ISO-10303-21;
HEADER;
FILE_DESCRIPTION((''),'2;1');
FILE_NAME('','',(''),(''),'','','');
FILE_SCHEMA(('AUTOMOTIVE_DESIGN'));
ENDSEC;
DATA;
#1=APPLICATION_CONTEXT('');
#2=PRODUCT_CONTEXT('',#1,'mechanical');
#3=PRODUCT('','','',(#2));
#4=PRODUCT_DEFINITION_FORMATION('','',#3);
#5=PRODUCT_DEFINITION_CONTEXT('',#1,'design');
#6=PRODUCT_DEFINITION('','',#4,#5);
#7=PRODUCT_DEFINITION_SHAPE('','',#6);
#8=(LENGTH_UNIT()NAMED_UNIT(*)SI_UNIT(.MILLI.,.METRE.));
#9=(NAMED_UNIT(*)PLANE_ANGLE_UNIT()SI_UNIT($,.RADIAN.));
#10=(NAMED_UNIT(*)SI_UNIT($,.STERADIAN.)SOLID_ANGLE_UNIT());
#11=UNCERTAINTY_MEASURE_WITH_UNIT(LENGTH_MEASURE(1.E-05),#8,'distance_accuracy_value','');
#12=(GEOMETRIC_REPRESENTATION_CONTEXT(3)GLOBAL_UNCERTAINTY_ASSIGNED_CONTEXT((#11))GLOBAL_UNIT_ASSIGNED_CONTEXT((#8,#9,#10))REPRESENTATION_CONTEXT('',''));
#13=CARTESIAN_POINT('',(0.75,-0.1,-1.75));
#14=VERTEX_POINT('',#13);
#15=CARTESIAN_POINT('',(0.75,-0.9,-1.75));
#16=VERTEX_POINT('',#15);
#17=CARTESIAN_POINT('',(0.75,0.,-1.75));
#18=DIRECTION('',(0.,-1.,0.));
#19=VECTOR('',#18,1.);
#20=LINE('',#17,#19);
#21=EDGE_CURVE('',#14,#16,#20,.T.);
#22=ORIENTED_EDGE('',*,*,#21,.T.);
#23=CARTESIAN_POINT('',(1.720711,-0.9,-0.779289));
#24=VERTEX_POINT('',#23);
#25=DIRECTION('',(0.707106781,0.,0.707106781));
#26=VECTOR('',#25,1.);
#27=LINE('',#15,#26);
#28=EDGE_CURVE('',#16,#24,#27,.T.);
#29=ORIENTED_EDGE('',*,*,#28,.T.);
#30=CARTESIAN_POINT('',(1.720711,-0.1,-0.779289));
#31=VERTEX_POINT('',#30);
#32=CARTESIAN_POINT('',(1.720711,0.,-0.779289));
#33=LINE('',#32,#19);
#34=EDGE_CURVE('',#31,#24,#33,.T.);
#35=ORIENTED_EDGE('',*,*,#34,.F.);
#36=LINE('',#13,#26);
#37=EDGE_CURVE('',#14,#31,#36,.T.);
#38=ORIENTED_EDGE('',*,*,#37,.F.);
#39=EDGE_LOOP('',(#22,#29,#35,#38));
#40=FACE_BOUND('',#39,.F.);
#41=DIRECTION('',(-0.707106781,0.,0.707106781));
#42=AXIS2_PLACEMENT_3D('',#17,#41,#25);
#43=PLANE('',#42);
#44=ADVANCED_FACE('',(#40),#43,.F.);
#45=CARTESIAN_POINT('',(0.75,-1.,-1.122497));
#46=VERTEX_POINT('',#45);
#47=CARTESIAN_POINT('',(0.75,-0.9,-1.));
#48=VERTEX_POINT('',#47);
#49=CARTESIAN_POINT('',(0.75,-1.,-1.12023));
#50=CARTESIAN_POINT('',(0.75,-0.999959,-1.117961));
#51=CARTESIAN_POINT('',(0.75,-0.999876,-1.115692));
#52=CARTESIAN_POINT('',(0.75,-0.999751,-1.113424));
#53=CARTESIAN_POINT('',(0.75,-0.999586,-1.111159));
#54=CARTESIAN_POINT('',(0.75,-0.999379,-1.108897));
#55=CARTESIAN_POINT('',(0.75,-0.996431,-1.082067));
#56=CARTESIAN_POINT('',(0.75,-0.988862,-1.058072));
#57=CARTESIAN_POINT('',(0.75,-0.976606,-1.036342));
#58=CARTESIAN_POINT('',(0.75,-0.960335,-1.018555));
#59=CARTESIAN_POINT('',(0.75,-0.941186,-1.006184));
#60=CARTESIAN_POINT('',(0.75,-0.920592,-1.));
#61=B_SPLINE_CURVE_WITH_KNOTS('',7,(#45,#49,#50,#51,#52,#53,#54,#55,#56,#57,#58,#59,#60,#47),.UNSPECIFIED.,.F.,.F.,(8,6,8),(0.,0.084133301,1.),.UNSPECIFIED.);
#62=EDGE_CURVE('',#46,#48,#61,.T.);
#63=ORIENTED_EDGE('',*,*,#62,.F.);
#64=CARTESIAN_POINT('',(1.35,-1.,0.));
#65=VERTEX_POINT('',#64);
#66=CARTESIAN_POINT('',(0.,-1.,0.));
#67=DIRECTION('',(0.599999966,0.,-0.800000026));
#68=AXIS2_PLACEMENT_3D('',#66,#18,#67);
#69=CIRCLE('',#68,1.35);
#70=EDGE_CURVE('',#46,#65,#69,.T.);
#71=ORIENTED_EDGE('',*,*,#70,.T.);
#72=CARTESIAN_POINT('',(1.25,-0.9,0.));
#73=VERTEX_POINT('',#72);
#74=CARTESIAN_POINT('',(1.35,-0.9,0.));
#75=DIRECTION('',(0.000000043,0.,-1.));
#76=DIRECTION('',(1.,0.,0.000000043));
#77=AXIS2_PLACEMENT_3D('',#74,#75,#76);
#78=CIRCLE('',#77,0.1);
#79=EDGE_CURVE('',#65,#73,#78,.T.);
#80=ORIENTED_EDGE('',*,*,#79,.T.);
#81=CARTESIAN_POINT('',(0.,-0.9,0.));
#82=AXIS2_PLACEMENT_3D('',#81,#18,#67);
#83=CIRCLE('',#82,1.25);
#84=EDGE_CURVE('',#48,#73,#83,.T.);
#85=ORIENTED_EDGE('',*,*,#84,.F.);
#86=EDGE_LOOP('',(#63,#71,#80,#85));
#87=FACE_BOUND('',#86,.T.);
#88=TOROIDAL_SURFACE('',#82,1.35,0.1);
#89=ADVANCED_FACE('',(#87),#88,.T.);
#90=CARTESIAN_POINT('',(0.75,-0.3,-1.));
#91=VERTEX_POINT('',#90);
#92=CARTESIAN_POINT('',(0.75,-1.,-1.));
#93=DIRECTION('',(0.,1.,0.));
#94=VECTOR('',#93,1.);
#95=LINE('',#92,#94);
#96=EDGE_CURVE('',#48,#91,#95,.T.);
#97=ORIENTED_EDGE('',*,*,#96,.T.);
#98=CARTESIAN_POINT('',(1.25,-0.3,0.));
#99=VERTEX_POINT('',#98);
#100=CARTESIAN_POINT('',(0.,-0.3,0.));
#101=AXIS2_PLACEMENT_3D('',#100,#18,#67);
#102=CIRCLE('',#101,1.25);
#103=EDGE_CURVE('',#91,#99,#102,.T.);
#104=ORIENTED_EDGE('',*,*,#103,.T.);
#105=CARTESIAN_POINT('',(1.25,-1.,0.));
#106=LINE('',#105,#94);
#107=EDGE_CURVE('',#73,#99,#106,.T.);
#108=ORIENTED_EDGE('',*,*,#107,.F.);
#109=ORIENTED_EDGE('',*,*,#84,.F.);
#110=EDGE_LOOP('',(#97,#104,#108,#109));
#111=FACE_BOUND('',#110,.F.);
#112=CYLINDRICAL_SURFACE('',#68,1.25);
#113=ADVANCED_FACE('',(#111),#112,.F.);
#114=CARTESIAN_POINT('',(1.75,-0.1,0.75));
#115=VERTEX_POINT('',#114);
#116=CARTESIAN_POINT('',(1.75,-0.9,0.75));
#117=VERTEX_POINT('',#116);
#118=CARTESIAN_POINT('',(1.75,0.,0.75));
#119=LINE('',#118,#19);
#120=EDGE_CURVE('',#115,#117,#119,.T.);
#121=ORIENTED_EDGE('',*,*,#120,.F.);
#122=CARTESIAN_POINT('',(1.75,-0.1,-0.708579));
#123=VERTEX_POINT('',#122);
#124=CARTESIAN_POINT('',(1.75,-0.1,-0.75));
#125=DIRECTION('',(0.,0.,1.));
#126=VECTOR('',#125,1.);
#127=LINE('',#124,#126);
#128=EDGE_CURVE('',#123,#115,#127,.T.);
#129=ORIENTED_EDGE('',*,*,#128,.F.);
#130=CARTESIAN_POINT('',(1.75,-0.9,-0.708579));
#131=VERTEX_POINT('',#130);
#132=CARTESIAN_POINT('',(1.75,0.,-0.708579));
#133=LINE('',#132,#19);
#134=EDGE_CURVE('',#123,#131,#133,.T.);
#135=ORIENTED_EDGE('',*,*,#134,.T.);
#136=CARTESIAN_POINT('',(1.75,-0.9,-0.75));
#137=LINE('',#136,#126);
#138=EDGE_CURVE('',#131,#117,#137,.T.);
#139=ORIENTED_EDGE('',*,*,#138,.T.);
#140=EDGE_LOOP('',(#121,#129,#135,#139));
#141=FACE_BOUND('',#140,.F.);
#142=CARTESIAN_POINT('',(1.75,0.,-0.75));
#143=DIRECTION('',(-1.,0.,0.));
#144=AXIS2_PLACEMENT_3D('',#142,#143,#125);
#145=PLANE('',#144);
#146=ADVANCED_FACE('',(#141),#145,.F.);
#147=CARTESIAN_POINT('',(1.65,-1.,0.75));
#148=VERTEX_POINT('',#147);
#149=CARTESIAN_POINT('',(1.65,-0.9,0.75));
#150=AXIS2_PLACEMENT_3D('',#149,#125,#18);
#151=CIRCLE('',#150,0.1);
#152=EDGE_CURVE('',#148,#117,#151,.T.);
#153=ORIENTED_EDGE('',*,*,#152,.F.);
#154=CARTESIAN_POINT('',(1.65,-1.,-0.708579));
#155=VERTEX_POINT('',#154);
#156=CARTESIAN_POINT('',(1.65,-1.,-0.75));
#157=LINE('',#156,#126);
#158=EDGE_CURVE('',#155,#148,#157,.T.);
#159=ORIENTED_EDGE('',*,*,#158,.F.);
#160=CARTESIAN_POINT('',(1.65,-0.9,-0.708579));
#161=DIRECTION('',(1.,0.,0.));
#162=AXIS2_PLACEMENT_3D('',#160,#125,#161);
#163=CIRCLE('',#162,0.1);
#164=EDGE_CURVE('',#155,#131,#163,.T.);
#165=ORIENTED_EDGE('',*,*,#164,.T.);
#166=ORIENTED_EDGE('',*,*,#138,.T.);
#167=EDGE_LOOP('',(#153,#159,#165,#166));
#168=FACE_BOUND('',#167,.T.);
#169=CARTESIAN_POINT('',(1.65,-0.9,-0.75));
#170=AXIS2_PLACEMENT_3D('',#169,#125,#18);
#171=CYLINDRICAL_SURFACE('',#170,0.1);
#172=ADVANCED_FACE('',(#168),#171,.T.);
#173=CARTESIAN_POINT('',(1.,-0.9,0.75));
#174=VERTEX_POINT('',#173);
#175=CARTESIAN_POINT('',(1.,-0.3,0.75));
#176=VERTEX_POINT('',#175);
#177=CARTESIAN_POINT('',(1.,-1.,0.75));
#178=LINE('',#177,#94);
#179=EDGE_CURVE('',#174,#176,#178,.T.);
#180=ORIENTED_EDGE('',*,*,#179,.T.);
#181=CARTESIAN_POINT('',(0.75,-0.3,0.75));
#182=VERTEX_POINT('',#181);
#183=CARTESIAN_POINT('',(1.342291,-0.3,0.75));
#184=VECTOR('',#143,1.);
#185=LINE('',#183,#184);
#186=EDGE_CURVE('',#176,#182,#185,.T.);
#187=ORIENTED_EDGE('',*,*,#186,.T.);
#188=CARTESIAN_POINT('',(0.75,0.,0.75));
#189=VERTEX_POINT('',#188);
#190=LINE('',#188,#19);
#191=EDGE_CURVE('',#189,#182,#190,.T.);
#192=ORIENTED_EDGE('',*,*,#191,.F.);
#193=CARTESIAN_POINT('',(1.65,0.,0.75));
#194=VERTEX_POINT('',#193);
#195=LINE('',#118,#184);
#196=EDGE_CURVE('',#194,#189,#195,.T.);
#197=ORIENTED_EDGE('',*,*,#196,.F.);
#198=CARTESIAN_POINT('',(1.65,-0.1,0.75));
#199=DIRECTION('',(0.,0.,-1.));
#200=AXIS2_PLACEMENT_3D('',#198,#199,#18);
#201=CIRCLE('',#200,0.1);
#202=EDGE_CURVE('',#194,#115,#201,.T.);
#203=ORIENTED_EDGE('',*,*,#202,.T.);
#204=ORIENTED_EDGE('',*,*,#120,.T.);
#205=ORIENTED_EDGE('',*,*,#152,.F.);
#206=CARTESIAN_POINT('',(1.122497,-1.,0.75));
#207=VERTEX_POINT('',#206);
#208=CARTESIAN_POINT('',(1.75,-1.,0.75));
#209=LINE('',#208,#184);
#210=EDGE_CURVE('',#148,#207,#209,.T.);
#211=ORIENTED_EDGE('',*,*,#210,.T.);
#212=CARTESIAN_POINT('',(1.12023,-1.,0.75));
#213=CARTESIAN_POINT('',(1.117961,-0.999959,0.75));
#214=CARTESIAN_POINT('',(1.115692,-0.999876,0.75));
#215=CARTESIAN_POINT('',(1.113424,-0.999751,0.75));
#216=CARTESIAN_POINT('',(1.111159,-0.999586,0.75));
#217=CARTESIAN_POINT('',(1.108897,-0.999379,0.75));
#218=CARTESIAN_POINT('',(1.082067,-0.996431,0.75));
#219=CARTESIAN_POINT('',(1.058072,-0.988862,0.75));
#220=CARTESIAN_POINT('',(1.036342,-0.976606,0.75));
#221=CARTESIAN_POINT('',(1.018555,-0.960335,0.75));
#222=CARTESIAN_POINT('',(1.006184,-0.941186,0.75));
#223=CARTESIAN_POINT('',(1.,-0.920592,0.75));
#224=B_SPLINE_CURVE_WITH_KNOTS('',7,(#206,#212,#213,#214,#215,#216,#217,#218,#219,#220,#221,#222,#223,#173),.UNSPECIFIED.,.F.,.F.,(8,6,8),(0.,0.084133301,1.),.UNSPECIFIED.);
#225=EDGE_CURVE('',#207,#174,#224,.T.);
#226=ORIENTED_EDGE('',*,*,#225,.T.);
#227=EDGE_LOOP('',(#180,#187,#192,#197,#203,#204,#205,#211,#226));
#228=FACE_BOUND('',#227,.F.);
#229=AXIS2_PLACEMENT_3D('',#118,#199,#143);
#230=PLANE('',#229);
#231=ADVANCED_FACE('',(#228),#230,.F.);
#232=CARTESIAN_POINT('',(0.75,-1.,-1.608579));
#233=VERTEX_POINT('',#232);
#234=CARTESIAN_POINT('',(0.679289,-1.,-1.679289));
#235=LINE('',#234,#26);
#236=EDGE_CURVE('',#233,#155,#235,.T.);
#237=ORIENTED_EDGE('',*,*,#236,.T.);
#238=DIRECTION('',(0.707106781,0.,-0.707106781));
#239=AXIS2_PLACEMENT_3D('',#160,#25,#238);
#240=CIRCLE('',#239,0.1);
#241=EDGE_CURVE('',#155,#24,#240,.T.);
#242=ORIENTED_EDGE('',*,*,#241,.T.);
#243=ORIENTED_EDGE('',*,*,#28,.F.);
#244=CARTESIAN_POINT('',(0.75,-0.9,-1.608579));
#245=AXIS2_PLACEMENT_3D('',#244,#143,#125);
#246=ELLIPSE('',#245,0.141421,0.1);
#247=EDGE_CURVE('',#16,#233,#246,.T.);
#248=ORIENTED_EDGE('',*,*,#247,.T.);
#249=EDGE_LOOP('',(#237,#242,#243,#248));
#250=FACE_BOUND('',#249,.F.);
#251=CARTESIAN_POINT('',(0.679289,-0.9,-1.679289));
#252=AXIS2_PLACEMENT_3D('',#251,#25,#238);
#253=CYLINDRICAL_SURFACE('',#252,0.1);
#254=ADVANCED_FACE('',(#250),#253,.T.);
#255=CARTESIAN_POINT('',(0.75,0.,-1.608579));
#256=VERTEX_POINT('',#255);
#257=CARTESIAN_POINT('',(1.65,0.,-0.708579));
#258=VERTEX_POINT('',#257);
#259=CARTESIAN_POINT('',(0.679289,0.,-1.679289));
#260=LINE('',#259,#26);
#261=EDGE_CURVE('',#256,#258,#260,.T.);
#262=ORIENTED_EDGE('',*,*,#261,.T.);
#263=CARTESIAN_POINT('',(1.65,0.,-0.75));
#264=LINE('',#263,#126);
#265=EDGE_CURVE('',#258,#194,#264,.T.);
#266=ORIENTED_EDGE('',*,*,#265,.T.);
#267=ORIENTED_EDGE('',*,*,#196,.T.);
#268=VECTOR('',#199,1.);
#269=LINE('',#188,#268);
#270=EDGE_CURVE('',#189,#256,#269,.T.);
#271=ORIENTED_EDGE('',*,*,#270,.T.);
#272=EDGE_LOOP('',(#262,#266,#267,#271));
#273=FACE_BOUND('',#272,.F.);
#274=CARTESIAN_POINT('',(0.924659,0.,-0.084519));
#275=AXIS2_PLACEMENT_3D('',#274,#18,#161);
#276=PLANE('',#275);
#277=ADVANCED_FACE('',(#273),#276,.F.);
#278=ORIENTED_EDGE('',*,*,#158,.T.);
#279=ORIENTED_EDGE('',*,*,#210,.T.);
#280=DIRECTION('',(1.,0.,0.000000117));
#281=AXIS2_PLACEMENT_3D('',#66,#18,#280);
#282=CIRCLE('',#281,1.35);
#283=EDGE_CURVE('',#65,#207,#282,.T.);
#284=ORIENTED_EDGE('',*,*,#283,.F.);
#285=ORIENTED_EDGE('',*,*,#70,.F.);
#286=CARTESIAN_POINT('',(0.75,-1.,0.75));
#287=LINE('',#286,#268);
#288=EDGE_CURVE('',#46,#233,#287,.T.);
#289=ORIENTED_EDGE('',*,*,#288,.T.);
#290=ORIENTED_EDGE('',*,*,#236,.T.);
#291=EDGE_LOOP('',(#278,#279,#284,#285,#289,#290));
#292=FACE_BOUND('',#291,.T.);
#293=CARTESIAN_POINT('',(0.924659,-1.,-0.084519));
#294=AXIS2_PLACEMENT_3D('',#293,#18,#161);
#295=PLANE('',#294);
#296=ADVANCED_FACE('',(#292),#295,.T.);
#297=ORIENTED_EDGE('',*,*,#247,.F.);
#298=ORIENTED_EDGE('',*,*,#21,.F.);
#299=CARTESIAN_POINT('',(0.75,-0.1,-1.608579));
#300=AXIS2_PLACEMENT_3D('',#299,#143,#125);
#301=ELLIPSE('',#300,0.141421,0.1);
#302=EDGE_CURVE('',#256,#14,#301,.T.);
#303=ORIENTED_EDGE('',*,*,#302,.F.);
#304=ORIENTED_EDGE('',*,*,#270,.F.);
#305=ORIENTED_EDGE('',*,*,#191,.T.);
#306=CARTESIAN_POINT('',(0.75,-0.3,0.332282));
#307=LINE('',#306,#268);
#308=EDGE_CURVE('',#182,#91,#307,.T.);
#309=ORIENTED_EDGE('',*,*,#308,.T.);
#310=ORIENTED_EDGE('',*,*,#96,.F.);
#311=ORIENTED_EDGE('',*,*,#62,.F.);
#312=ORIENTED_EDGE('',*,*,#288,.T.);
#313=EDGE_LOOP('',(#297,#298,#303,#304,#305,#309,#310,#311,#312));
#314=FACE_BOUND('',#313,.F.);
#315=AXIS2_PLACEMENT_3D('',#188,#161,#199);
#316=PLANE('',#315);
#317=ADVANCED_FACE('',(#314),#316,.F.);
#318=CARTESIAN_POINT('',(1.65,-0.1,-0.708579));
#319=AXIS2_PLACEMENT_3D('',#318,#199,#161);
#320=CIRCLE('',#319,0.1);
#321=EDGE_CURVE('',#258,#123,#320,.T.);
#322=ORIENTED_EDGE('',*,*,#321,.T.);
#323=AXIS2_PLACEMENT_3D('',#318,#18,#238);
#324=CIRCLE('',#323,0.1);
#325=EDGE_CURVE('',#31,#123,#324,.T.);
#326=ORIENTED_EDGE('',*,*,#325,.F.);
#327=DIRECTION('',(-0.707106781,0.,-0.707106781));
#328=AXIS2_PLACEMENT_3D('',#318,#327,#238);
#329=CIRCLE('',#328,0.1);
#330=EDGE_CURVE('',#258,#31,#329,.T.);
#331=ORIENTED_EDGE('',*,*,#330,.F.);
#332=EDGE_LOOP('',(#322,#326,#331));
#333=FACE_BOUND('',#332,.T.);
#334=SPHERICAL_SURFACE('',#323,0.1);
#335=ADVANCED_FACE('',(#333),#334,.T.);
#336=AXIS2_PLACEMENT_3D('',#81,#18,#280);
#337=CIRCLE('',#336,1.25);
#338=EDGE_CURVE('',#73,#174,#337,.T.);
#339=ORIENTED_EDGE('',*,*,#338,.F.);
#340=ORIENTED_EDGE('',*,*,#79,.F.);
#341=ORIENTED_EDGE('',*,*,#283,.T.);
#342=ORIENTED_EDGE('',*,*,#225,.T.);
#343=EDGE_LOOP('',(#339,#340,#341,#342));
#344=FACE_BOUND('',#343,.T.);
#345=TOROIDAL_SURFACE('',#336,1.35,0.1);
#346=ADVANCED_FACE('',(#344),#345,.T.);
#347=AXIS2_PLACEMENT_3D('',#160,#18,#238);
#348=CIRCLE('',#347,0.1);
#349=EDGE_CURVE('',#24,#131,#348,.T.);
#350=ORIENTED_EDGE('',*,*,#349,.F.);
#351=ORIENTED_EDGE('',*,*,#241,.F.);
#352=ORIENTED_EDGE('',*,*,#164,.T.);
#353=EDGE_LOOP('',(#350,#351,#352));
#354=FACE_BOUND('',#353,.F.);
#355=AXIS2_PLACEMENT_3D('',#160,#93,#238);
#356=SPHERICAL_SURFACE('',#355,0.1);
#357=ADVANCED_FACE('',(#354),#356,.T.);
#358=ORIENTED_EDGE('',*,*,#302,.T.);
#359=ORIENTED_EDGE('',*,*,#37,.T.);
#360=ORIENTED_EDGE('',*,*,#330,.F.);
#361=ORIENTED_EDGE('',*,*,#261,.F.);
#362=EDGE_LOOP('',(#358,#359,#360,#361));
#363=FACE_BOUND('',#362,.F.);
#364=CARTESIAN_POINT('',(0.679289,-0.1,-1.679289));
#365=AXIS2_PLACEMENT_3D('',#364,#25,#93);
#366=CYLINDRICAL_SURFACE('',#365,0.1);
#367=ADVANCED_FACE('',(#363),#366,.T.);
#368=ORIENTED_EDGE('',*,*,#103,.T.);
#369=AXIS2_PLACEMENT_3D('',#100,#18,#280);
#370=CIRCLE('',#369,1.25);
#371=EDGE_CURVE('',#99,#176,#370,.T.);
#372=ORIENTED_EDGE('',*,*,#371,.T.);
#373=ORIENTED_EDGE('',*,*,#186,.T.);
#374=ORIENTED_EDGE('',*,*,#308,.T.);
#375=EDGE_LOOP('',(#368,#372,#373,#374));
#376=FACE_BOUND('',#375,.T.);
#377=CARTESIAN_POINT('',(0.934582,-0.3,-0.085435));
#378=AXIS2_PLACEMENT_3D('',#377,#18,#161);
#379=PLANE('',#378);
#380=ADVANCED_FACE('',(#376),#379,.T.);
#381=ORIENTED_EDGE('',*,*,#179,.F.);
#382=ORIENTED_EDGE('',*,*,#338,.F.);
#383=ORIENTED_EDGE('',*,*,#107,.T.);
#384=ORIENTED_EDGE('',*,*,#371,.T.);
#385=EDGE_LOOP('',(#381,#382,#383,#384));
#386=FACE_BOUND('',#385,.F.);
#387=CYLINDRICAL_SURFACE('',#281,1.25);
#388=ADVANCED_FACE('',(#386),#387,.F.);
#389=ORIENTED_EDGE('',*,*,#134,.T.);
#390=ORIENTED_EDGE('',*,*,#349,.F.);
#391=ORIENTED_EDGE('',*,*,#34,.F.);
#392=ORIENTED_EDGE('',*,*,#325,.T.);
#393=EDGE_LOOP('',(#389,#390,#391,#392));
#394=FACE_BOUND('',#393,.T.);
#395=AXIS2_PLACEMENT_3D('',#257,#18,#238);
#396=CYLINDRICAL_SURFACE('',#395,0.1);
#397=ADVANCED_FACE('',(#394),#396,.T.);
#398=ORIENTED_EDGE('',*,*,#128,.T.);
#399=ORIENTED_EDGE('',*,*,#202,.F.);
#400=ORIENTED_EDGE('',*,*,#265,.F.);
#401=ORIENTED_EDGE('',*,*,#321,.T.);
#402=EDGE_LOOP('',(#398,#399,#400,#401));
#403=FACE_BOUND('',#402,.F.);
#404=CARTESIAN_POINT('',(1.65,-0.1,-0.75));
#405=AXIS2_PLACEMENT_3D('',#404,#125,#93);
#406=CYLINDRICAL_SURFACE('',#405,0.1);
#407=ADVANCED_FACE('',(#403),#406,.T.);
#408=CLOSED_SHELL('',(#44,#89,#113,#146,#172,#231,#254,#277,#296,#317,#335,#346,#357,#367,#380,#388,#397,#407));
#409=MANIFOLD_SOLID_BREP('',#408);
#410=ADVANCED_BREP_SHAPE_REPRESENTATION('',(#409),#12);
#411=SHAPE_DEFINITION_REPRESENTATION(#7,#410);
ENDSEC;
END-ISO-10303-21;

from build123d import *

# Parameters (mm, degrees)
F1_DEPTH = 1
F3_DEPTH = 0.7
F4_R     = 0.1


with BuildPart() as f1:
    # F0 (on Front) → F1 (new body)
    with BuildSketch(Plane.XZ):
        with BuildLine():
            Line((1, 0.75), (0.75, 0.75))
            Line((0.75, 0.75), (0.75, -1))
            ThreePointArc((0.75, -1), (1.237437, -0.176777), (1, 0.75))
        make_face()
        with BuildLine():
            ThreePointArc((1, 0.75), (1.237437, -0.176777), (0.75, -1))
            Line((0.75, -1), (0.75, -1.75))
            Line((0.75, -1.75), (1.75, -0.75))
            Line((1.75, -0.75), (1.75, 0.75))
            Line((1.75, 0.75), (1, 0.75))
        make_face()
    extrude(amount=F1_DEPTH)

    # F2 (on face) → F3 (cut)
    with BuildSketch(Plane.XZ.offset(1)):
        with BuildLine():
            ThreePointArc((0.75, -1), (1.118034, -0.559017), (1.25, 0))
            ThreePointArc((1.25, 0), (1.185854, 0.395285), (1, 0.75))
            Line((1, 0.75), (0.75, 0.75))
            Line((0.75, 0.75), (0.75, -1))
        make_face()
        with BuildLine():
            Line((0.75, 0.75), (1, 0.75))
            ThreePointArc((1, 0.75), (-1.237437, 0.176777), (0.75, -1))
            Line((0.75, -1), (0.75, 0.75))
        make_face()
    extrude(amount=-F3_DEPTH, mode=Mode.SUBTRACT)

    # F4
    f4_edges = [f1.edges().sort_by_distance(p)[0] for p in [
        (1.75, -1, 0),
        (1.237437, -1, -0.176777),
        (1.75, 0, 0),
        (1.75, -0.5, -0.75),
        (1.25, -1, -1.25),
        (1.25, 0, -1.25),
    ]]
    fillet(f4_edges, radius=F4_R)


solid = f1.part
